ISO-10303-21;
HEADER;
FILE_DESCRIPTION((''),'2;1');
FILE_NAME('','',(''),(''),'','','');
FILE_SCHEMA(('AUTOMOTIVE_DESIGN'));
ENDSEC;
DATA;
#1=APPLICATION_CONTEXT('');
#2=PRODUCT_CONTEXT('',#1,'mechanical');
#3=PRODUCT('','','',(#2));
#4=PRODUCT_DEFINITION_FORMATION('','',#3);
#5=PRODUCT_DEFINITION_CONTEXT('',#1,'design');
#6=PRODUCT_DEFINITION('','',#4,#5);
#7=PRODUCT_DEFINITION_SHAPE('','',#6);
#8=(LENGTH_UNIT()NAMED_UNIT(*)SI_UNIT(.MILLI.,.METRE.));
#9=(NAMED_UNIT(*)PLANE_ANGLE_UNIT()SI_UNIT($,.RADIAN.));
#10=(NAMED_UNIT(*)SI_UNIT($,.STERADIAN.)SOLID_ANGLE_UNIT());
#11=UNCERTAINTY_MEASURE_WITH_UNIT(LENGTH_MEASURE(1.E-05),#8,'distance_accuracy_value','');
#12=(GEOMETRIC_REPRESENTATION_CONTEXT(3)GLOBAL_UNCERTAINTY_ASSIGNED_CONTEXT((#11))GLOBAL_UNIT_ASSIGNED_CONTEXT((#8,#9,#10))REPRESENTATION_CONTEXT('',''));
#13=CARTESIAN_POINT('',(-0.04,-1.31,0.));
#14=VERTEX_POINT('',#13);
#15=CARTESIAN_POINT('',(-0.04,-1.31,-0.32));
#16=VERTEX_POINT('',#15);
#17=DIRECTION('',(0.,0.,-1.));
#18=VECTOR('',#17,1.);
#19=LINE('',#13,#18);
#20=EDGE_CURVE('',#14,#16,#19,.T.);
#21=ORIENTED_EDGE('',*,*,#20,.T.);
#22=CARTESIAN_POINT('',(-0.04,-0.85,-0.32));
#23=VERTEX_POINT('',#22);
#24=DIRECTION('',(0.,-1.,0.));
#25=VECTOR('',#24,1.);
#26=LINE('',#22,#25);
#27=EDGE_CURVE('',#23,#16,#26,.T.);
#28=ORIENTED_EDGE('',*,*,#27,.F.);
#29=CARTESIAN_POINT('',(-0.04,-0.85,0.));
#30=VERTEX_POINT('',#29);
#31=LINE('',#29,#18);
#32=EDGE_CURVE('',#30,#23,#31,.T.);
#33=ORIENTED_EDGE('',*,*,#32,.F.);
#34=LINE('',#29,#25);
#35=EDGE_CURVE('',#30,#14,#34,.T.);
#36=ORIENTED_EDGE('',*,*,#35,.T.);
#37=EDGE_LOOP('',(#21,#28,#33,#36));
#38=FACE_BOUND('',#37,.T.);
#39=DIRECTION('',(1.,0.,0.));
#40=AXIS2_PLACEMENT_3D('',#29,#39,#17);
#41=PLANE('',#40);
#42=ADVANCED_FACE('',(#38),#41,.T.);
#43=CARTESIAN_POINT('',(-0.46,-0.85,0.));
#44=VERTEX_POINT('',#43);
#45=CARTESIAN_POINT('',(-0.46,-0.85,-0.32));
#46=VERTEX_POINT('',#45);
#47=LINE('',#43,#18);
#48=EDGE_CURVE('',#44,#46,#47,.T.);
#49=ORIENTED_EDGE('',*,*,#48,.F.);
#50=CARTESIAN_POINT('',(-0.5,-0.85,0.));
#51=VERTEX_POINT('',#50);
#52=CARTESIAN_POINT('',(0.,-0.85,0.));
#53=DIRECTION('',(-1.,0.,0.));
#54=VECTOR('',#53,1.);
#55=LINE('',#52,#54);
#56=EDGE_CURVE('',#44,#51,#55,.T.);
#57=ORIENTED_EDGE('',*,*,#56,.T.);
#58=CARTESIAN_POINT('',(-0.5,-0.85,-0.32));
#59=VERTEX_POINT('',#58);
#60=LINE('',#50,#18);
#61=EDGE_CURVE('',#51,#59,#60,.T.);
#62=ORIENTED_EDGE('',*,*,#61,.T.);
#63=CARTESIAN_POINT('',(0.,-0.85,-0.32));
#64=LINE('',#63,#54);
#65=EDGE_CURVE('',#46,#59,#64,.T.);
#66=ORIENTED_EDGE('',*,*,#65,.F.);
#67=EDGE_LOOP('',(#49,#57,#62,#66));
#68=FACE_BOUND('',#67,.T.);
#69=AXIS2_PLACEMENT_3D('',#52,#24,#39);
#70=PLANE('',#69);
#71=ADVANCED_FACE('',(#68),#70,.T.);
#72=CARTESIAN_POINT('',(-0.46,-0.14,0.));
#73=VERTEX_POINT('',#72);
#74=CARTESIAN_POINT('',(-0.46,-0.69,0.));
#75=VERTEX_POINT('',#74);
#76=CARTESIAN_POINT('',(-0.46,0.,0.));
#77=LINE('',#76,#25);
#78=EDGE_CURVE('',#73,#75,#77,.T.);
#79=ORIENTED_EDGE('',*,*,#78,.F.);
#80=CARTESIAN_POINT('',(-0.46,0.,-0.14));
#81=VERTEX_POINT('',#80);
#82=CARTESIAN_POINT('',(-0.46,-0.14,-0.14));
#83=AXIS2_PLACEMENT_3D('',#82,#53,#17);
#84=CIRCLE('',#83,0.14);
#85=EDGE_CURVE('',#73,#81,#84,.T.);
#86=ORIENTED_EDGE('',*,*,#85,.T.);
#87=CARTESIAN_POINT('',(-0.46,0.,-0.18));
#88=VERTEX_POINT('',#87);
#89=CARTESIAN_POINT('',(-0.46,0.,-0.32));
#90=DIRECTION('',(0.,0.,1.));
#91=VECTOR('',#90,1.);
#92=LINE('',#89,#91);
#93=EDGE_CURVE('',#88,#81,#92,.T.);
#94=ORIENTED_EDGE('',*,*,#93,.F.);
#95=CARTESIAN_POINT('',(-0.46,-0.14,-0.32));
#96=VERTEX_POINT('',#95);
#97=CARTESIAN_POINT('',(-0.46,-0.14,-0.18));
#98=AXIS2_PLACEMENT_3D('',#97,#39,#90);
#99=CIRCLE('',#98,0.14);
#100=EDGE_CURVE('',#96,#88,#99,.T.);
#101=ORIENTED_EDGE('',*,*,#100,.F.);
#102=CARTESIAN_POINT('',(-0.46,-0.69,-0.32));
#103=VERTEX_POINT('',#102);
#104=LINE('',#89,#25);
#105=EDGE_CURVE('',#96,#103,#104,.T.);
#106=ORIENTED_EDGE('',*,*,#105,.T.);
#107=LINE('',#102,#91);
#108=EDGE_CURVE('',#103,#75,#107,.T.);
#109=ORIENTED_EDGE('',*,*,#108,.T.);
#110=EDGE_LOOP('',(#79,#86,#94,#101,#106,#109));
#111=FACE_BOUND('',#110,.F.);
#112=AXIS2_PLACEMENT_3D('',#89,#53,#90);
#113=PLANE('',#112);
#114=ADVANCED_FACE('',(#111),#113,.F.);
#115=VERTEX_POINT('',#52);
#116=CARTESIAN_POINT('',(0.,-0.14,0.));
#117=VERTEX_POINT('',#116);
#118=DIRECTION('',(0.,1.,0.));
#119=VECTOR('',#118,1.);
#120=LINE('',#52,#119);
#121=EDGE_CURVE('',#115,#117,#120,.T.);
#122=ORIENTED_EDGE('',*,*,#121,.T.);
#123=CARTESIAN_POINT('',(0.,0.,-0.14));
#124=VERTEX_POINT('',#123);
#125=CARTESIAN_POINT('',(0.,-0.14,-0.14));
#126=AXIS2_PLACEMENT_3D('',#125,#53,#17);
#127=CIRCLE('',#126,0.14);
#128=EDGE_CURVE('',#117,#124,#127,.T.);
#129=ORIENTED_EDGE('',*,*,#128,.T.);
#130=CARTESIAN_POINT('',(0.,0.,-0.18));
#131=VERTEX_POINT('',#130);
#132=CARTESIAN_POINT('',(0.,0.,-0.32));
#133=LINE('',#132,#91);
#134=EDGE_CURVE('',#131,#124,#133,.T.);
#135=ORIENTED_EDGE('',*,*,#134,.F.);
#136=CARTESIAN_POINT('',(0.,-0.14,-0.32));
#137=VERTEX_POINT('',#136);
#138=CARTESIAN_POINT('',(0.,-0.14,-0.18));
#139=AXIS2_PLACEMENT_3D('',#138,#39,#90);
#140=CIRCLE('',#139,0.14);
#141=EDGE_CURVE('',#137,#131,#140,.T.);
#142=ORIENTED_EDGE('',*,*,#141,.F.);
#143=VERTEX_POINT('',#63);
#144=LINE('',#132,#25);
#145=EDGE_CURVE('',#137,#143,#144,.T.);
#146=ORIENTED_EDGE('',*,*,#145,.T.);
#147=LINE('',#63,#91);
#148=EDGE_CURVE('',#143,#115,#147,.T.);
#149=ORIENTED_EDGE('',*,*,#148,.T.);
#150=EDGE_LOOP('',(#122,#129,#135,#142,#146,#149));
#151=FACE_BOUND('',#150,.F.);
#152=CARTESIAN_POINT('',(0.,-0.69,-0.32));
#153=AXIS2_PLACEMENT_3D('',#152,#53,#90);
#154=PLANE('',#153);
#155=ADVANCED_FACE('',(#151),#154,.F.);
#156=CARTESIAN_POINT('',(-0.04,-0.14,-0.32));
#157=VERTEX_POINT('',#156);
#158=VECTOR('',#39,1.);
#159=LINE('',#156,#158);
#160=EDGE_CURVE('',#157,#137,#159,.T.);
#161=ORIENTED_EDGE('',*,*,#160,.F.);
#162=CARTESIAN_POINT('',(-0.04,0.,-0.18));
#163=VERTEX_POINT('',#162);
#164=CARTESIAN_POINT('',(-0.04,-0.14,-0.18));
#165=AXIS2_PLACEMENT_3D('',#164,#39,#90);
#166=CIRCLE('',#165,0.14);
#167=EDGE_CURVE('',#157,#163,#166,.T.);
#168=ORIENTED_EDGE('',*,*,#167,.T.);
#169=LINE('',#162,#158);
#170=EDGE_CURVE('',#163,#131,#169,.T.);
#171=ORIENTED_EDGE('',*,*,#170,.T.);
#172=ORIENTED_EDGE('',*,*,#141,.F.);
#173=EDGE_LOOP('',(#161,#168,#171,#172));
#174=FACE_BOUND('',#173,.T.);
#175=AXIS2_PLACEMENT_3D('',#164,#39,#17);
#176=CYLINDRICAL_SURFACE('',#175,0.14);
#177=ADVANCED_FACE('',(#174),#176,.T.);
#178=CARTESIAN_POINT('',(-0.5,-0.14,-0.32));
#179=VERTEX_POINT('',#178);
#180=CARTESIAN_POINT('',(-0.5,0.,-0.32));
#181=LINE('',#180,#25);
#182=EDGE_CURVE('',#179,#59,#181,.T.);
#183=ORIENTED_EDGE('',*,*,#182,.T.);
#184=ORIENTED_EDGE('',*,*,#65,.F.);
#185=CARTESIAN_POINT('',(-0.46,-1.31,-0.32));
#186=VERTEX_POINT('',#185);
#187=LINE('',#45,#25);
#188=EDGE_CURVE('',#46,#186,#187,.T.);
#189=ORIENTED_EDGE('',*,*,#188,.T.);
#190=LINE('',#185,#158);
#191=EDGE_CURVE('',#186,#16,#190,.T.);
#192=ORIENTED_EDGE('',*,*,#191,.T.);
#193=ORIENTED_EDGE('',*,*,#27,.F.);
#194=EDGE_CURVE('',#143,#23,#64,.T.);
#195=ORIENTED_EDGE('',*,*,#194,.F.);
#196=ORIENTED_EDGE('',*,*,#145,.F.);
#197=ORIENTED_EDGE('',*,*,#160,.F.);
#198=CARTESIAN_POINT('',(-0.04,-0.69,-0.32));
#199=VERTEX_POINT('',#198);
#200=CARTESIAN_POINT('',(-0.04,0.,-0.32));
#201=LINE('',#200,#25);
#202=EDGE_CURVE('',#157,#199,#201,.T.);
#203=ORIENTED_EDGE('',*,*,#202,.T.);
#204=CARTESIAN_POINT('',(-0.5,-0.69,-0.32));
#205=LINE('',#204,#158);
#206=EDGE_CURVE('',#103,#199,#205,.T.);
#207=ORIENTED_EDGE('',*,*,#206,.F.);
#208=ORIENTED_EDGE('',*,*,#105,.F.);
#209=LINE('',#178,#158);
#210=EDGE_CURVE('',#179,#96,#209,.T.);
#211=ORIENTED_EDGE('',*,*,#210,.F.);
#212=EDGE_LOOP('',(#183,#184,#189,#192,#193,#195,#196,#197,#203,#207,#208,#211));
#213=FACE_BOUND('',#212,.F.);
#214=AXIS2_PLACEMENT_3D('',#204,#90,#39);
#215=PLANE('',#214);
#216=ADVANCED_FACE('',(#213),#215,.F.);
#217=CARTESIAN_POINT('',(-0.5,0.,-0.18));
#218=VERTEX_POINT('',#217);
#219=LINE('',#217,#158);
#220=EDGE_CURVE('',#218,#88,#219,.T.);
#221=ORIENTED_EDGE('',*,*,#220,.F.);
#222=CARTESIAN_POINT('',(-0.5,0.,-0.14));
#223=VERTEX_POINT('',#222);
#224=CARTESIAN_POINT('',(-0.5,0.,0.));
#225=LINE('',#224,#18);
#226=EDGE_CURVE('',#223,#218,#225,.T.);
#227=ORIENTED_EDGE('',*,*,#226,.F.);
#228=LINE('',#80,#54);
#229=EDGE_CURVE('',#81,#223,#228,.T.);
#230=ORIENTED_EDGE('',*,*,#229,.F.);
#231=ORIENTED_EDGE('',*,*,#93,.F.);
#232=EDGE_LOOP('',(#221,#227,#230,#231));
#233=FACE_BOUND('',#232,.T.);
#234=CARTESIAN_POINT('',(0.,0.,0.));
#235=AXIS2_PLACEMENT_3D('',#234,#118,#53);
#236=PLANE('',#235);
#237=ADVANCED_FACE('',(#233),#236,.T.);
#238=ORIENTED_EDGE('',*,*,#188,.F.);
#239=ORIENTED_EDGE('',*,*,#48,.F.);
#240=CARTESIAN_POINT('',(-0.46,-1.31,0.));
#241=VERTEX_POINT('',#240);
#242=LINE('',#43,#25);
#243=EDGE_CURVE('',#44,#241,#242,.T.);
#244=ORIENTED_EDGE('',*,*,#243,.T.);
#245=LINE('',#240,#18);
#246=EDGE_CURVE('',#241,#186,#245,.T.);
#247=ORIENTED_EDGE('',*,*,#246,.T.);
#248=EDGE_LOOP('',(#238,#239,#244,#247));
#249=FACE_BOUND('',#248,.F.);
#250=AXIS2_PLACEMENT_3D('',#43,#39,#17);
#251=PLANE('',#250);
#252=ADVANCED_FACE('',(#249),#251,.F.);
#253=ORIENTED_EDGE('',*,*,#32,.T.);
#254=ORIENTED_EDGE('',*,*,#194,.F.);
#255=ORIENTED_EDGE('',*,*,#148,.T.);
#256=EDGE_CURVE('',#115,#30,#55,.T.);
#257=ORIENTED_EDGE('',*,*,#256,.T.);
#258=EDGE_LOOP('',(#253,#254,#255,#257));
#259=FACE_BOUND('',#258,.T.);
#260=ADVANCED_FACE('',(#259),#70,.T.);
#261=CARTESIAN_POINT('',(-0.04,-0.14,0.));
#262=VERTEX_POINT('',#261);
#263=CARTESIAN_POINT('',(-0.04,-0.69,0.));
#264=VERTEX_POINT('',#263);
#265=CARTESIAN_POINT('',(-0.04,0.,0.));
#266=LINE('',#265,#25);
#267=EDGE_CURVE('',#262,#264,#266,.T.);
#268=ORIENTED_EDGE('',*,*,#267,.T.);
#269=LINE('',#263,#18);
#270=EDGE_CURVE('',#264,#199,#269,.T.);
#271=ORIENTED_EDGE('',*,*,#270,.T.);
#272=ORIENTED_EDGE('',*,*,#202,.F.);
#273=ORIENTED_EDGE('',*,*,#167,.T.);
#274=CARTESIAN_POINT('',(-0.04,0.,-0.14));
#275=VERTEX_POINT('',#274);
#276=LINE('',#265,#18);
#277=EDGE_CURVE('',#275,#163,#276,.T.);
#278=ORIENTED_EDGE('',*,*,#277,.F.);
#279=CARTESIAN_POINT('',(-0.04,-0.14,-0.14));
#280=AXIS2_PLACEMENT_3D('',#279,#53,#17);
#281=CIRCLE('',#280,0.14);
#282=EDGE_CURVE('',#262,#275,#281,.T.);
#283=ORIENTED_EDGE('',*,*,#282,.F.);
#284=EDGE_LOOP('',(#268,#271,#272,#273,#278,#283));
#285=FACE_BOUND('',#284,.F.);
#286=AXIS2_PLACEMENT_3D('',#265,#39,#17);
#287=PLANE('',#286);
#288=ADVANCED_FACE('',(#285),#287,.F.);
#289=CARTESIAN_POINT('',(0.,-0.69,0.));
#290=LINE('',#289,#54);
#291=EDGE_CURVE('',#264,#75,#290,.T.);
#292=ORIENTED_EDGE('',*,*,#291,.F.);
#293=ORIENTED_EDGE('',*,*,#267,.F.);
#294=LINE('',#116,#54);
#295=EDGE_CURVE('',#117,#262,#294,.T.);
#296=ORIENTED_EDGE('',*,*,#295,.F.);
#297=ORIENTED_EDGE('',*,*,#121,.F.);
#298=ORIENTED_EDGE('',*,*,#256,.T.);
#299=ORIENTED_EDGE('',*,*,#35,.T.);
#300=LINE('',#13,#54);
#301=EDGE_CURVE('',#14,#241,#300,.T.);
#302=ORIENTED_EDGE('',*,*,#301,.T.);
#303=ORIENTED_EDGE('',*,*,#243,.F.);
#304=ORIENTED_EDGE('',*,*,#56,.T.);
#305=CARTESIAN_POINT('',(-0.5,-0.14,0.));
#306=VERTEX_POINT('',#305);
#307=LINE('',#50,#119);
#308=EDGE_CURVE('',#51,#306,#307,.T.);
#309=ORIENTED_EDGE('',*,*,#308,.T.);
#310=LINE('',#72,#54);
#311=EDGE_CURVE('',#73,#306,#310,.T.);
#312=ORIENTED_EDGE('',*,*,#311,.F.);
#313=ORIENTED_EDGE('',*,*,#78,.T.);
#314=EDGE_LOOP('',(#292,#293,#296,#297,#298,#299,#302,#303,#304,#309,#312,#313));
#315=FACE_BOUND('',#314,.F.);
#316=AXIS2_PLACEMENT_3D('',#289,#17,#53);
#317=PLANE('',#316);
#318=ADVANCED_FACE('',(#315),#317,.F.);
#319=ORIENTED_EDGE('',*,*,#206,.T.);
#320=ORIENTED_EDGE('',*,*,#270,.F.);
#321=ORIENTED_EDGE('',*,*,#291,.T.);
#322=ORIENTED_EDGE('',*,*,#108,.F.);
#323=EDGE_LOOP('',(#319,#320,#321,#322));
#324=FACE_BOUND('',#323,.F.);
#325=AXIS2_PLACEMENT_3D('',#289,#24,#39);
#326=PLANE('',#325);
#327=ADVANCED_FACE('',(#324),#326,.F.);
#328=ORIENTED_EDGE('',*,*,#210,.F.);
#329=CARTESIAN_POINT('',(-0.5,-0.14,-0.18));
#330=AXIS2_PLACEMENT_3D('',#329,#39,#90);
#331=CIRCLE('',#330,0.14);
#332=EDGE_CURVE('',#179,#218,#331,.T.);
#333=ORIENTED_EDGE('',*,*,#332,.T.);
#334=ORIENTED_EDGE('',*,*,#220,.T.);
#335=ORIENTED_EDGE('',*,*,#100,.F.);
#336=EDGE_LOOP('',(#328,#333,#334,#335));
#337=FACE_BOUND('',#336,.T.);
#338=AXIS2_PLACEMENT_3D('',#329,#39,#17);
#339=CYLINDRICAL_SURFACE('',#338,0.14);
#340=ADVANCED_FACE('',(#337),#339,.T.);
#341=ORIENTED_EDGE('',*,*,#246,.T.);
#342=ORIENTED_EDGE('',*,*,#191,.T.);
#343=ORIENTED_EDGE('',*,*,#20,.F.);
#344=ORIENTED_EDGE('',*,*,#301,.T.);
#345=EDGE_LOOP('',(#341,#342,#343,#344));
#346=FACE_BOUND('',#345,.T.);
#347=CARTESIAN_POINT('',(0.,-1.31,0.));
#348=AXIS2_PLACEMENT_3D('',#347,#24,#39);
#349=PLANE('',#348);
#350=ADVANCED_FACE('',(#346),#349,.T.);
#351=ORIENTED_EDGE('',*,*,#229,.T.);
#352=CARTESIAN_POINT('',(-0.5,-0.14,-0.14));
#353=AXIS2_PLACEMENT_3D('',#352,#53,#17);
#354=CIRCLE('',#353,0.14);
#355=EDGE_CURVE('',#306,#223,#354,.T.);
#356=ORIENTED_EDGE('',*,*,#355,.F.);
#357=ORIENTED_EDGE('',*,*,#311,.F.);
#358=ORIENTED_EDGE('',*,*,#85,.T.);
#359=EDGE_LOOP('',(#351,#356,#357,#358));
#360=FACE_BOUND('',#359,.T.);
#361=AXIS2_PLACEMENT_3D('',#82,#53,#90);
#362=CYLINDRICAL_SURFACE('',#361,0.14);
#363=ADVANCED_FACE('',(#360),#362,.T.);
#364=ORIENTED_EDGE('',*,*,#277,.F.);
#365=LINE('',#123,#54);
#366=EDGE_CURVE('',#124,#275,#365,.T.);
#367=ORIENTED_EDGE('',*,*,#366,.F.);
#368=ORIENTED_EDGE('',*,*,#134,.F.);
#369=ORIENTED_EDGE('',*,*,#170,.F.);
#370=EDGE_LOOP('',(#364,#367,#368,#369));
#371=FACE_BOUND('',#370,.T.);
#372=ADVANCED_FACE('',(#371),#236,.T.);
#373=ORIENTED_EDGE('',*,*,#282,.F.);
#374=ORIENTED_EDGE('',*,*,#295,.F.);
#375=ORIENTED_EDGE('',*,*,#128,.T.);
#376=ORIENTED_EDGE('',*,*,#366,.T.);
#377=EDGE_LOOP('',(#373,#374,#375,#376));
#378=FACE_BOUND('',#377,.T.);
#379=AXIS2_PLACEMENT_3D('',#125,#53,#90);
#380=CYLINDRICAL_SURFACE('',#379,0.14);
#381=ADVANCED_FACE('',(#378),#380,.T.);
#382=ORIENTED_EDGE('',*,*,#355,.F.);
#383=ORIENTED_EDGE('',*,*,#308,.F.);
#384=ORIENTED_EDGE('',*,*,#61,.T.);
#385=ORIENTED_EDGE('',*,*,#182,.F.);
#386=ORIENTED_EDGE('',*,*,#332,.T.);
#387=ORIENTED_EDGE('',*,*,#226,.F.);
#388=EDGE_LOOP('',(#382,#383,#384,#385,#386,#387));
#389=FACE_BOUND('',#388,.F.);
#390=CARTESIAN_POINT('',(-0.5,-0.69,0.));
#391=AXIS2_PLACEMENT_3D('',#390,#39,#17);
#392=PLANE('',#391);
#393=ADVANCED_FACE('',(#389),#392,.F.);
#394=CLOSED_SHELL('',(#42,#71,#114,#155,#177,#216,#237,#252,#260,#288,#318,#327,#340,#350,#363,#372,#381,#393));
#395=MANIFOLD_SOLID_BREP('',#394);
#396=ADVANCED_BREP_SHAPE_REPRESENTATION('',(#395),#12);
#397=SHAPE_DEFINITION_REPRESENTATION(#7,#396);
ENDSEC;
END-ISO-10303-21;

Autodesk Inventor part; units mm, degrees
ref_plane "YZ Plane" through (0, 0, 0) normal (1, 0, 0) x (0, 1, 0)
ref_plane "XZ Plane" through (0, 0, 0) normal (0, 1, 0) x (-1, 0, 0)
ref_plane "XY Plane" through (0, 0, 0) normal (0, 0, 1) x (1, 0, 0)
sketch "スケッチ1" plane through (0, 0, 0) normal (0, 1, 0) x (-1, 0, 0)
  line L0 (0, 0) -> (0.04, 0)
  line L1 (0.04, 0) -> (0.04, -0.32)
  line L2 (0.04, -0.32) -> (0, -0.32)
  line L3 (0, -0.32) -> (0, 0)
  line L4 (0.46, 0) -> (0.5, 0)
  line L5 (0.5, 0) -> (0.5, -0.32)
  line L6 (0.5, -0.32) -> (0.46, -0.32)
  line L7 (0.46, -0.32) -> (0.46, 0)
  dimension "d2" = 0.04
  dimension "d3" = 0.32
  dimension "d8" = 0.04
  dimension "d9" = 0.32
extrude "押し出し1" add sketch "スケッチ1" against normal blind 0.69
sketch "スケッチ2" plane through (0, -0.69, 0) normal (0, -1, 0) x (1, 0, 0)
  line L0 (-0.5, -0.32) -> (-0.46, -0.32) projected
  line L1 (0, 0) -> (-0.5, 0)
  line L2 (-0.5, 0) -> (-0.5, -0.32)
  line L3 (-0.5, -0.32) -> (0, -0.32)
  line L4 (0, -0.32) -> (0, 0)
extrude "押し出し2" add sketch "スケッチ2" along normal blind 0.16
sketch "スケッチ3" plane through (0, -0.85, 0) normal (0, -1, 0) x (1, 0, 0)
  point P0 (0, 0)
sketch "スケッチ4" plane through (0, -0.85, 0) normal (0, -1, 0) x (1, 0, 0)
  line L0 (-0.04, 0) -> (-0.04, -0.32) projected
  line L1 (-0.46, -0.32) -> (-0.04, -0.32) projected
  line L2 (-0.04, 0) -> (-0.46, 0)
  line L3 (-0.46, 0) -> (-0.46, -0.32)
  line L4 (-0.46, -0.32) -> (-0.04, -0.32)
  line L5 (-0.04, -0.32) -> (-0.04, 0)
  point P0 (0, 0)
  dimension "d12" = 0.42
extrude "押し出し3" add sketch "スケッチ4" along normal blind 0.46
fillet "フィレット1" radius 0.14 4 edges at (-0.02, 0, 0) (-0.02, 0, -0.32) (-0.48, 0, 0) (-0.48, 0, -0.32)
sketch "スケッチ5" plane through (0, -0.85, 0) normal (1, 0, 0) x (0, 0, -1)
  point P0 (0, 0.85)
sketch "スケッチ6" plane through (-0.04, -0.85, 0) normal (1, 0, 0) x (0, 0, -1)
  point P0 (0, 0.85)
properties part number "CRANEJ3"
